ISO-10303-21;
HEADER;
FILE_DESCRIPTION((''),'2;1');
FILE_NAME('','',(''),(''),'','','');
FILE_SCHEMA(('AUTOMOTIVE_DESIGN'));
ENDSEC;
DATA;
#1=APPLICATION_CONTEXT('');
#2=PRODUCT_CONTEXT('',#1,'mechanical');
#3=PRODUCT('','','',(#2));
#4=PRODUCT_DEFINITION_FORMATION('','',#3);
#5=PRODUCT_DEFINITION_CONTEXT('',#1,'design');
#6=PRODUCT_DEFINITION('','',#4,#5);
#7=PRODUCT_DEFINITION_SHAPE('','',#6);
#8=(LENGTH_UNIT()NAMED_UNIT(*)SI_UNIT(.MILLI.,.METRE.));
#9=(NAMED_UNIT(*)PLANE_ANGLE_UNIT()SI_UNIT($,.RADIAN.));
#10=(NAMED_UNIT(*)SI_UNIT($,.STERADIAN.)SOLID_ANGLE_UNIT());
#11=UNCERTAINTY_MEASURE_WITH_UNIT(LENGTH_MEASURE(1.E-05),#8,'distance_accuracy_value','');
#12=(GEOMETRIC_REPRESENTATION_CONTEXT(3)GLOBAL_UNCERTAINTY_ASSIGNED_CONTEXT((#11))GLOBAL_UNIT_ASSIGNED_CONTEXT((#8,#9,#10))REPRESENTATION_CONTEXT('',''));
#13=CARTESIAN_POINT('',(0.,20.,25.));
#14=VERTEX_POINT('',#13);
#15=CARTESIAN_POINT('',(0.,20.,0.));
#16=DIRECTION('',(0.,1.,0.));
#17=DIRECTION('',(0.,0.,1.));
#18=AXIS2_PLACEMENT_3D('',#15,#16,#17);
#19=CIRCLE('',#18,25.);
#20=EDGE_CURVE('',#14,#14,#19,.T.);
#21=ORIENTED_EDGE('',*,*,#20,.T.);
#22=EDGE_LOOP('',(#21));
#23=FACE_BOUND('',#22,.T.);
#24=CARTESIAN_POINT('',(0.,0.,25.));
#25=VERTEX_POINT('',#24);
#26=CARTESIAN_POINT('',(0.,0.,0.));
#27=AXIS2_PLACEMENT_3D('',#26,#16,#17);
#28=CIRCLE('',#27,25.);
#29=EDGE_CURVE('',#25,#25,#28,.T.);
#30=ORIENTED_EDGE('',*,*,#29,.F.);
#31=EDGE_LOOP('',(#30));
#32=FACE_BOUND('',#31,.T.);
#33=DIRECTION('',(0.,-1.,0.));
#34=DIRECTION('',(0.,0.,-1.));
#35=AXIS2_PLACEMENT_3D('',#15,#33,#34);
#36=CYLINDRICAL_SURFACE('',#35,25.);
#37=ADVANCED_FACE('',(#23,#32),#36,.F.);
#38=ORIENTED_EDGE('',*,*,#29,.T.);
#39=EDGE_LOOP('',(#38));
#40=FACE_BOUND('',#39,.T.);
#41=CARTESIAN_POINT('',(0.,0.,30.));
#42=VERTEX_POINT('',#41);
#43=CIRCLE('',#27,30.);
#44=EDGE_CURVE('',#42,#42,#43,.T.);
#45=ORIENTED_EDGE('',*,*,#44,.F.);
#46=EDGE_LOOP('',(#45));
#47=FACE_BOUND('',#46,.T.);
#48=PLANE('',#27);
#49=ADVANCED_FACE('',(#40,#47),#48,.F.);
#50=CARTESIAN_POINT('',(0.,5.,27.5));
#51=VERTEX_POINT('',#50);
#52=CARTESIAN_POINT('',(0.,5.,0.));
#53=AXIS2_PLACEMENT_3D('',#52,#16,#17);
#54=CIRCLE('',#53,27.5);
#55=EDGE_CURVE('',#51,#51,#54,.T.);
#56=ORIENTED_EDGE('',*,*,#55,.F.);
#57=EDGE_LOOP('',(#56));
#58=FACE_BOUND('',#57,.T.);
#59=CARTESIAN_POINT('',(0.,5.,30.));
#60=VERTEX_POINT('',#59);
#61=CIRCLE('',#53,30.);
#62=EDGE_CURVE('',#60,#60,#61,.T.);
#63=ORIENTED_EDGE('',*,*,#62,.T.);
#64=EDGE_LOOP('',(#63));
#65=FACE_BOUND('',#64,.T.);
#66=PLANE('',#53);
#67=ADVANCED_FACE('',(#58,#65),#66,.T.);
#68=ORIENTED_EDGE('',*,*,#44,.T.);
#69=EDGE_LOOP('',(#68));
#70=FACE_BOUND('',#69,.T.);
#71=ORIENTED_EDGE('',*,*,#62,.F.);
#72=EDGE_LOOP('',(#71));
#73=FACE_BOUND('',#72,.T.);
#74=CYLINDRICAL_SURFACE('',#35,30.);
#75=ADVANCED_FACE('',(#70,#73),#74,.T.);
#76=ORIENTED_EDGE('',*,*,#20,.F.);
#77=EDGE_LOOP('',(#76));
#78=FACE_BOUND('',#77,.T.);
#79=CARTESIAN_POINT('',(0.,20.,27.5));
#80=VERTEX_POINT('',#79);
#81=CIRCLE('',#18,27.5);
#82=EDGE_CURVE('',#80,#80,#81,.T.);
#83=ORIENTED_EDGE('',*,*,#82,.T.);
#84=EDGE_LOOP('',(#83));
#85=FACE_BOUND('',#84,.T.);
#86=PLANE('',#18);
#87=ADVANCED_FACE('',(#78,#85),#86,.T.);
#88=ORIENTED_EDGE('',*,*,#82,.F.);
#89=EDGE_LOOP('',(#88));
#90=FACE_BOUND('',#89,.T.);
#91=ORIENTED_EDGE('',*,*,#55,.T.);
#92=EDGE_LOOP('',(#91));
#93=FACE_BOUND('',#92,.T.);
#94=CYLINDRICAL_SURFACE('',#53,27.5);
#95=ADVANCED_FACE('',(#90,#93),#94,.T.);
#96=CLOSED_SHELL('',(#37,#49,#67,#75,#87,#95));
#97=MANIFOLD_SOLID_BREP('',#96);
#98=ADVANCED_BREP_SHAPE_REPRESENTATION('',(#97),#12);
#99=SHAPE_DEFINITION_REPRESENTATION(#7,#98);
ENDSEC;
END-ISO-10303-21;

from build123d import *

# Parameters (mm, degrees)
SKETCH1_R           = 30
SKETCH1_R_2         = 25
BOSS_EXTRUDE1_DEPTH = 20
CUT_EXTRUDE2_START  = -15
SKETCH2_R           = 30
SKETCH2_R_2         = 27.5
CUT_EXTRUDE2_DEPTH  = 15


with BuildPart() as part:
    # Sketch1 → Boss-Extrude1 (new body)
    with BuildSketch(Plane(origin=(0, 0, 0), x_dir=(1, 0, 0), z_dir=(0, 1, 0))):
        with Locations(Location((0, 0, 0), (0, 0, 270))):
            Circle(SKETCH1_R)
        with Locations(Location((0, 0, 0), (0, 0, 270))):
            Circle(SKETCH1_R_2, mode=Mode.SUBTRACT)
    extrude(amount=BOSS_EXTRUDE1_DEPTH)

    # Sketch2 → Cut-Extrude2 (cut)
    with BuildSketch(Plane(origin=(0, 20, 0), x_dir=(1, 0, 0), z_dir=(0, 1, 0)).offset(CUT_EXTRUDE2_START)):
        with Locations(Location((0, 0, 0), (0, 0, 270))):
            Circle(SKETCH2_R)
        with Locations(Location((0, 0, 0), (0, 0, 270))):
            Circle(SKETCH2_R_2, mode=Mode.SUBTRACT)
    extrude(amount=CUT_EXTRUDE2_DEPTH, mode=Mode.SUBTRACT)


solid = part.part
